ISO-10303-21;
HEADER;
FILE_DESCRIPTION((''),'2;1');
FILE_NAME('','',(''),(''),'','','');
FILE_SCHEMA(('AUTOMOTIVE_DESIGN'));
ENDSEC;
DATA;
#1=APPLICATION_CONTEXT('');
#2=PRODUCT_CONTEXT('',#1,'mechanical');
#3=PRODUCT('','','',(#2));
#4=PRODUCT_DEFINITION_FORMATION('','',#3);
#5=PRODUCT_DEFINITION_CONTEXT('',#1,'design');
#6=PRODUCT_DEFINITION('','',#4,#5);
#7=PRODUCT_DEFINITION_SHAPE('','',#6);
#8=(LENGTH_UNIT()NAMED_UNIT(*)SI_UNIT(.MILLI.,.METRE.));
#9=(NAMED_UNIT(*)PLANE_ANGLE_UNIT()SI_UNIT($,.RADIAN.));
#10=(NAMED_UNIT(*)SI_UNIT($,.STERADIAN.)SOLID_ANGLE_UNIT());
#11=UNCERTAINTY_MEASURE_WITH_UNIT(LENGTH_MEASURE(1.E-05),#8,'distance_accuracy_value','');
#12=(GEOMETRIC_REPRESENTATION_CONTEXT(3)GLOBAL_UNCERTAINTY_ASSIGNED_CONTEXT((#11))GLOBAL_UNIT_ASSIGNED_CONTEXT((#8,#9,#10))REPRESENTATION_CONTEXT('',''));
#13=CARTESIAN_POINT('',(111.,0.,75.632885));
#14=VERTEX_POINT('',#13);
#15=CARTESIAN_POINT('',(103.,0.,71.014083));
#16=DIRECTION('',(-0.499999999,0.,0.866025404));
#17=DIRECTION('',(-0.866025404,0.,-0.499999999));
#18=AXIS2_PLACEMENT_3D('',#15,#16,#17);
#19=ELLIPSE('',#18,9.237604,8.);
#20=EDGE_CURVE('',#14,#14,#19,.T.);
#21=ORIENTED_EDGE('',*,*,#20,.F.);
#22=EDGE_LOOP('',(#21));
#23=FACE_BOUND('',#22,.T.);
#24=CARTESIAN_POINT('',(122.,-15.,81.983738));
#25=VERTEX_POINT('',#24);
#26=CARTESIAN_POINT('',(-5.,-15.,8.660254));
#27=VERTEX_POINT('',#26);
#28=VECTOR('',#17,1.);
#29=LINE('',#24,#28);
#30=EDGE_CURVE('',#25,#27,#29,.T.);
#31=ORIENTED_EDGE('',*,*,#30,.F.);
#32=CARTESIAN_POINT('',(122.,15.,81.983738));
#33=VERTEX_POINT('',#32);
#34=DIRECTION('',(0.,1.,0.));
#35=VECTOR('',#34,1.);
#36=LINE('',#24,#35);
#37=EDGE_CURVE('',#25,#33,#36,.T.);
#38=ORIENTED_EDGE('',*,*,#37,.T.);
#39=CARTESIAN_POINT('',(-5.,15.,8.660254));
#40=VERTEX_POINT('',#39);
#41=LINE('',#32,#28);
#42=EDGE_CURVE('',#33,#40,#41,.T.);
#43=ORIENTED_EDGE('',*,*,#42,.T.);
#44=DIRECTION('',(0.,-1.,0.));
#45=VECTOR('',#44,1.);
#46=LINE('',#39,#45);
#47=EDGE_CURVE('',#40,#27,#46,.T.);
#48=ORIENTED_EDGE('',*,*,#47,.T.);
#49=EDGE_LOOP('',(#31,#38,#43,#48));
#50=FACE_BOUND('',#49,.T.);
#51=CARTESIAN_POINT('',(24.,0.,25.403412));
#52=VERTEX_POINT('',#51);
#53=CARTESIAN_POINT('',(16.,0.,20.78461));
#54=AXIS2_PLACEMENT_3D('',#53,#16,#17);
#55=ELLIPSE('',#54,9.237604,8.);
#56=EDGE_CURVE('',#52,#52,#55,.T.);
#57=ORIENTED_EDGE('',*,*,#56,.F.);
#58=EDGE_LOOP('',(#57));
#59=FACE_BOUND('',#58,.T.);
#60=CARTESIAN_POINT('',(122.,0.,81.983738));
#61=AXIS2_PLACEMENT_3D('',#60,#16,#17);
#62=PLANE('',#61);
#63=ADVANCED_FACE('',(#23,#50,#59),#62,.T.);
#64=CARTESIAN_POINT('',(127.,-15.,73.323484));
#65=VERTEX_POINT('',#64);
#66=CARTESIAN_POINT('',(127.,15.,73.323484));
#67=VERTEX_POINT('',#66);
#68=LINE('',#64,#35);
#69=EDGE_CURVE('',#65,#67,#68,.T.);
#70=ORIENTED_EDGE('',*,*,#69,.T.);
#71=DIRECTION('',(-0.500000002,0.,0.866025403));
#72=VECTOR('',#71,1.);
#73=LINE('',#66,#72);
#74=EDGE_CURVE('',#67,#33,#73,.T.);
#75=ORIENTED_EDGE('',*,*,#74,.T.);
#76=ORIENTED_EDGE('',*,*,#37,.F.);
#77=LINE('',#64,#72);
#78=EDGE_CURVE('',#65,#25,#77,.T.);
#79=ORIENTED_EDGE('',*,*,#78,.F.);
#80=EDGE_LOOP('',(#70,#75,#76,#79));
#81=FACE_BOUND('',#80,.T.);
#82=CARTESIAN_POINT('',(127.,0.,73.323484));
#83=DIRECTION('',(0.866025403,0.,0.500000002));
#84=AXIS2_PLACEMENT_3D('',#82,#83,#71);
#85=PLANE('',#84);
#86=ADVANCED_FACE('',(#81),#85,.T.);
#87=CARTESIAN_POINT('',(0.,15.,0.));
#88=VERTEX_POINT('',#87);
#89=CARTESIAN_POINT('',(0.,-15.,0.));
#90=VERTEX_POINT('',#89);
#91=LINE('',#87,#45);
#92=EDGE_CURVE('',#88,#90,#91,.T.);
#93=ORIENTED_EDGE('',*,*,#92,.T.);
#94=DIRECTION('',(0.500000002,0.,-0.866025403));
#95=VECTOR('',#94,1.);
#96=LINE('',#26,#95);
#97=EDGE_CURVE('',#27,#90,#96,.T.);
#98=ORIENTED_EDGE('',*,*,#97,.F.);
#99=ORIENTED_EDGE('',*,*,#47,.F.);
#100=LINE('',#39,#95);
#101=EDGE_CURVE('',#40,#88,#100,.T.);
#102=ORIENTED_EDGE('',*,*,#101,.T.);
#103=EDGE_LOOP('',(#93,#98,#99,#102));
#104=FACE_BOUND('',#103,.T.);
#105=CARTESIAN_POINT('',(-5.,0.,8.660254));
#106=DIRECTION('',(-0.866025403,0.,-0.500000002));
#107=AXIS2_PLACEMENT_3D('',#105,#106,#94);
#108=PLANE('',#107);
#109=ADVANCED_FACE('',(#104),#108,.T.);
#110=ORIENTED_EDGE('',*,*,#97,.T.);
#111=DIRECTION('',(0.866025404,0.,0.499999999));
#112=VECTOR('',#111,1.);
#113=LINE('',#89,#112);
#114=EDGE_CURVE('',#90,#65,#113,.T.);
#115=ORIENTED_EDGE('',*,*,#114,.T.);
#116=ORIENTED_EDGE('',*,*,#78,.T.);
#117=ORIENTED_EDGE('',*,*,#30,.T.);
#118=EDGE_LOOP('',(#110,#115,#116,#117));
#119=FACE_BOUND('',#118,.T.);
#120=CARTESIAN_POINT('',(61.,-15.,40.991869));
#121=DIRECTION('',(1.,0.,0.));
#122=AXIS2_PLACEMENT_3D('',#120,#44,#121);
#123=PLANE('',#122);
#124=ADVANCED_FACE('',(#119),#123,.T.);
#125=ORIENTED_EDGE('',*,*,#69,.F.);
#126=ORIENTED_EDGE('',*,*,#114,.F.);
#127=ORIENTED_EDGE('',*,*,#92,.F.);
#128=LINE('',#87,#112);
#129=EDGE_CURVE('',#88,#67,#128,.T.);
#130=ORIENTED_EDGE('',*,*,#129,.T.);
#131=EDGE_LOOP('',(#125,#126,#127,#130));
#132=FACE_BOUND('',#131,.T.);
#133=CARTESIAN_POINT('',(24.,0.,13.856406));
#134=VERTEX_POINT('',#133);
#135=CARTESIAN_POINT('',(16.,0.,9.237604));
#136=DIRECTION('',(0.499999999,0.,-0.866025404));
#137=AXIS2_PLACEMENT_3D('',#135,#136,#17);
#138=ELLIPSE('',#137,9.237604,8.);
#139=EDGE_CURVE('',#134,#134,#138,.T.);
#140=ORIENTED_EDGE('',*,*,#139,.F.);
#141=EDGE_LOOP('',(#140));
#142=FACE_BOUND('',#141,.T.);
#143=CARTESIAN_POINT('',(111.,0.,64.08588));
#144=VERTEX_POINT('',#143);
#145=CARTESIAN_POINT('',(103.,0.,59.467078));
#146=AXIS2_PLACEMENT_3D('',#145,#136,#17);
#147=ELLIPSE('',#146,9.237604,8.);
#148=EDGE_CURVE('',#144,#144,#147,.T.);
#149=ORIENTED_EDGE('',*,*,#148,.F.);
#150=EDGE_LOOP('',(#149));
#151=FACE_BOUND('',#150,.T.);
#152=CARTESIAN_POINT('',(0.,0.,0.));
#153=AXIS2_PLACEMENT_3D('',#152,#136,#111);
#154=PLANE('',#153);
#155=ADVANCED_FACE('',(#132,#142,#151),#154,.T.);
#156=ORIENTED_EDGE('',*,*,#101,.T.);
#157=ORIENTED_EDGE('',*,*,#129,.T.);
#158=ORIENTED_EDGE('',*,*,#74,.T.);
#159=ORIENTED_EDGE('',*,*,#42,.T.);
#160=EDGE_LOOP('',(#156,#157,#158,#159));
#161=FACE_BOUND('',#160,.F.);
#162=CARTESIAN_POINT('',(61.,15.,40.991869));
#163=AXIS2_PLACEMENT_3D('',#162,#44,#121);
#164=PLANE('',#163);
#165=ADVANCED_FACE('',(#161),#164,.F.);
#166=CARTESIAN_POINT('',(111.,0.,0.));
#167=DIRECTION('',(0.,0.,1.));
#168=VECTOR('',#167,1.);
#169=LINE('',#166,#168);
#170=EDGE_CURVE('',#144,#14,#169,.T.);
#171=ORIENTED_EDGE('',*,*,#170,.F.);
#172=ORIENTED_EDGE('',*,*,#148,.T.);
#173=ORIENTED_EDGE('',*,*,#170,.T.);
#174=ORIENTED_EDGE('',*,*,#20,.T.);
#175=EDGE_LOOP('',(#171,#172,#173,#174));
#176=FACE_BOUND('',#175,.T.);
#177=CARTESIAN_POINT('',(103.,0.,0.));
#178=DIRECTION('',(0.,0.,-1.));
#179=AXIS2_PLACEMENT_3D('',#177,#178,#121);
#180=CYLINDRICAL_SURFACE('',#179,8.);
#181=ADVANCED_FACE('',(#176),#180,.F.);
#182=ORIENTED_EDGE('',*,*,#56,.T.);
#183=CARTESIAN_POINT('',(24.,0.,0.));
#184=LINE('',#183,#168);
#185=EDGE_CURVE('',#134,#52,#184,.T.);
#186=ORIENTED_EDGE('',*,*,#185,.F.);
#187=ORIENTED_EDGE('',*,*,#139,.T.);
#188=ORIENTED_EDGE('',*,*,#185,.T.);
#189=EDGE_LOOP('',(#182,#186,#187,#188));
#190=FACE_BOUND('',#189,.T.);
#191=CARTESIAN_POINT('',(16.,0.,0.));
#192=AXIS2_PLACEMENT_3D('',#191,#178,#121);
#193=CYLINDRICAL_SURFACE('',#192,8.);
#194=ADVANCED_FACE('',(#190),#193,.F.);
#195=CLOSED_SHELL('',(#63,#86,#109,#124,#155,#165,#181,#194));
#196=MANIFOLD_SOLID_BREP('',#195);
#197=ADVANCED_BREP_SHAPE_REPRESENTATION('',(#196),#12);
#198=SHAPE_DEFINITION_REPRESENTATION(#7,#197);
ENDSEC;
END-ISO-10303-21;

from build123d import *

# Parameters (mm, degrees)
F2_DEPTH = 15
F0_R     = 8
F3_DEPTH = 81.984738


with BuildPart() as f2:
    # F1 (on Front) → F2 (new body, symmetric)
    with BuildSketch(Plane.XZ):
        Polygon((122, 81.983738), (-5, 8.660254), (0, 0), (127, 73.323484), align=None)
    extrude(amount=F2_DEPTH, both=True)

    # F0 (on Top) → F3 (cut, through all)
    with BuildSketch(Plane.XY):
        with Locations((16, 0)):
            Circle(F0_R)
        with Locations((103, 0)):
            Circle(F0_R)
    extrude(amount=F3_DEPTH, mode=Mode.SUBTRACT)


solid = f2.part
